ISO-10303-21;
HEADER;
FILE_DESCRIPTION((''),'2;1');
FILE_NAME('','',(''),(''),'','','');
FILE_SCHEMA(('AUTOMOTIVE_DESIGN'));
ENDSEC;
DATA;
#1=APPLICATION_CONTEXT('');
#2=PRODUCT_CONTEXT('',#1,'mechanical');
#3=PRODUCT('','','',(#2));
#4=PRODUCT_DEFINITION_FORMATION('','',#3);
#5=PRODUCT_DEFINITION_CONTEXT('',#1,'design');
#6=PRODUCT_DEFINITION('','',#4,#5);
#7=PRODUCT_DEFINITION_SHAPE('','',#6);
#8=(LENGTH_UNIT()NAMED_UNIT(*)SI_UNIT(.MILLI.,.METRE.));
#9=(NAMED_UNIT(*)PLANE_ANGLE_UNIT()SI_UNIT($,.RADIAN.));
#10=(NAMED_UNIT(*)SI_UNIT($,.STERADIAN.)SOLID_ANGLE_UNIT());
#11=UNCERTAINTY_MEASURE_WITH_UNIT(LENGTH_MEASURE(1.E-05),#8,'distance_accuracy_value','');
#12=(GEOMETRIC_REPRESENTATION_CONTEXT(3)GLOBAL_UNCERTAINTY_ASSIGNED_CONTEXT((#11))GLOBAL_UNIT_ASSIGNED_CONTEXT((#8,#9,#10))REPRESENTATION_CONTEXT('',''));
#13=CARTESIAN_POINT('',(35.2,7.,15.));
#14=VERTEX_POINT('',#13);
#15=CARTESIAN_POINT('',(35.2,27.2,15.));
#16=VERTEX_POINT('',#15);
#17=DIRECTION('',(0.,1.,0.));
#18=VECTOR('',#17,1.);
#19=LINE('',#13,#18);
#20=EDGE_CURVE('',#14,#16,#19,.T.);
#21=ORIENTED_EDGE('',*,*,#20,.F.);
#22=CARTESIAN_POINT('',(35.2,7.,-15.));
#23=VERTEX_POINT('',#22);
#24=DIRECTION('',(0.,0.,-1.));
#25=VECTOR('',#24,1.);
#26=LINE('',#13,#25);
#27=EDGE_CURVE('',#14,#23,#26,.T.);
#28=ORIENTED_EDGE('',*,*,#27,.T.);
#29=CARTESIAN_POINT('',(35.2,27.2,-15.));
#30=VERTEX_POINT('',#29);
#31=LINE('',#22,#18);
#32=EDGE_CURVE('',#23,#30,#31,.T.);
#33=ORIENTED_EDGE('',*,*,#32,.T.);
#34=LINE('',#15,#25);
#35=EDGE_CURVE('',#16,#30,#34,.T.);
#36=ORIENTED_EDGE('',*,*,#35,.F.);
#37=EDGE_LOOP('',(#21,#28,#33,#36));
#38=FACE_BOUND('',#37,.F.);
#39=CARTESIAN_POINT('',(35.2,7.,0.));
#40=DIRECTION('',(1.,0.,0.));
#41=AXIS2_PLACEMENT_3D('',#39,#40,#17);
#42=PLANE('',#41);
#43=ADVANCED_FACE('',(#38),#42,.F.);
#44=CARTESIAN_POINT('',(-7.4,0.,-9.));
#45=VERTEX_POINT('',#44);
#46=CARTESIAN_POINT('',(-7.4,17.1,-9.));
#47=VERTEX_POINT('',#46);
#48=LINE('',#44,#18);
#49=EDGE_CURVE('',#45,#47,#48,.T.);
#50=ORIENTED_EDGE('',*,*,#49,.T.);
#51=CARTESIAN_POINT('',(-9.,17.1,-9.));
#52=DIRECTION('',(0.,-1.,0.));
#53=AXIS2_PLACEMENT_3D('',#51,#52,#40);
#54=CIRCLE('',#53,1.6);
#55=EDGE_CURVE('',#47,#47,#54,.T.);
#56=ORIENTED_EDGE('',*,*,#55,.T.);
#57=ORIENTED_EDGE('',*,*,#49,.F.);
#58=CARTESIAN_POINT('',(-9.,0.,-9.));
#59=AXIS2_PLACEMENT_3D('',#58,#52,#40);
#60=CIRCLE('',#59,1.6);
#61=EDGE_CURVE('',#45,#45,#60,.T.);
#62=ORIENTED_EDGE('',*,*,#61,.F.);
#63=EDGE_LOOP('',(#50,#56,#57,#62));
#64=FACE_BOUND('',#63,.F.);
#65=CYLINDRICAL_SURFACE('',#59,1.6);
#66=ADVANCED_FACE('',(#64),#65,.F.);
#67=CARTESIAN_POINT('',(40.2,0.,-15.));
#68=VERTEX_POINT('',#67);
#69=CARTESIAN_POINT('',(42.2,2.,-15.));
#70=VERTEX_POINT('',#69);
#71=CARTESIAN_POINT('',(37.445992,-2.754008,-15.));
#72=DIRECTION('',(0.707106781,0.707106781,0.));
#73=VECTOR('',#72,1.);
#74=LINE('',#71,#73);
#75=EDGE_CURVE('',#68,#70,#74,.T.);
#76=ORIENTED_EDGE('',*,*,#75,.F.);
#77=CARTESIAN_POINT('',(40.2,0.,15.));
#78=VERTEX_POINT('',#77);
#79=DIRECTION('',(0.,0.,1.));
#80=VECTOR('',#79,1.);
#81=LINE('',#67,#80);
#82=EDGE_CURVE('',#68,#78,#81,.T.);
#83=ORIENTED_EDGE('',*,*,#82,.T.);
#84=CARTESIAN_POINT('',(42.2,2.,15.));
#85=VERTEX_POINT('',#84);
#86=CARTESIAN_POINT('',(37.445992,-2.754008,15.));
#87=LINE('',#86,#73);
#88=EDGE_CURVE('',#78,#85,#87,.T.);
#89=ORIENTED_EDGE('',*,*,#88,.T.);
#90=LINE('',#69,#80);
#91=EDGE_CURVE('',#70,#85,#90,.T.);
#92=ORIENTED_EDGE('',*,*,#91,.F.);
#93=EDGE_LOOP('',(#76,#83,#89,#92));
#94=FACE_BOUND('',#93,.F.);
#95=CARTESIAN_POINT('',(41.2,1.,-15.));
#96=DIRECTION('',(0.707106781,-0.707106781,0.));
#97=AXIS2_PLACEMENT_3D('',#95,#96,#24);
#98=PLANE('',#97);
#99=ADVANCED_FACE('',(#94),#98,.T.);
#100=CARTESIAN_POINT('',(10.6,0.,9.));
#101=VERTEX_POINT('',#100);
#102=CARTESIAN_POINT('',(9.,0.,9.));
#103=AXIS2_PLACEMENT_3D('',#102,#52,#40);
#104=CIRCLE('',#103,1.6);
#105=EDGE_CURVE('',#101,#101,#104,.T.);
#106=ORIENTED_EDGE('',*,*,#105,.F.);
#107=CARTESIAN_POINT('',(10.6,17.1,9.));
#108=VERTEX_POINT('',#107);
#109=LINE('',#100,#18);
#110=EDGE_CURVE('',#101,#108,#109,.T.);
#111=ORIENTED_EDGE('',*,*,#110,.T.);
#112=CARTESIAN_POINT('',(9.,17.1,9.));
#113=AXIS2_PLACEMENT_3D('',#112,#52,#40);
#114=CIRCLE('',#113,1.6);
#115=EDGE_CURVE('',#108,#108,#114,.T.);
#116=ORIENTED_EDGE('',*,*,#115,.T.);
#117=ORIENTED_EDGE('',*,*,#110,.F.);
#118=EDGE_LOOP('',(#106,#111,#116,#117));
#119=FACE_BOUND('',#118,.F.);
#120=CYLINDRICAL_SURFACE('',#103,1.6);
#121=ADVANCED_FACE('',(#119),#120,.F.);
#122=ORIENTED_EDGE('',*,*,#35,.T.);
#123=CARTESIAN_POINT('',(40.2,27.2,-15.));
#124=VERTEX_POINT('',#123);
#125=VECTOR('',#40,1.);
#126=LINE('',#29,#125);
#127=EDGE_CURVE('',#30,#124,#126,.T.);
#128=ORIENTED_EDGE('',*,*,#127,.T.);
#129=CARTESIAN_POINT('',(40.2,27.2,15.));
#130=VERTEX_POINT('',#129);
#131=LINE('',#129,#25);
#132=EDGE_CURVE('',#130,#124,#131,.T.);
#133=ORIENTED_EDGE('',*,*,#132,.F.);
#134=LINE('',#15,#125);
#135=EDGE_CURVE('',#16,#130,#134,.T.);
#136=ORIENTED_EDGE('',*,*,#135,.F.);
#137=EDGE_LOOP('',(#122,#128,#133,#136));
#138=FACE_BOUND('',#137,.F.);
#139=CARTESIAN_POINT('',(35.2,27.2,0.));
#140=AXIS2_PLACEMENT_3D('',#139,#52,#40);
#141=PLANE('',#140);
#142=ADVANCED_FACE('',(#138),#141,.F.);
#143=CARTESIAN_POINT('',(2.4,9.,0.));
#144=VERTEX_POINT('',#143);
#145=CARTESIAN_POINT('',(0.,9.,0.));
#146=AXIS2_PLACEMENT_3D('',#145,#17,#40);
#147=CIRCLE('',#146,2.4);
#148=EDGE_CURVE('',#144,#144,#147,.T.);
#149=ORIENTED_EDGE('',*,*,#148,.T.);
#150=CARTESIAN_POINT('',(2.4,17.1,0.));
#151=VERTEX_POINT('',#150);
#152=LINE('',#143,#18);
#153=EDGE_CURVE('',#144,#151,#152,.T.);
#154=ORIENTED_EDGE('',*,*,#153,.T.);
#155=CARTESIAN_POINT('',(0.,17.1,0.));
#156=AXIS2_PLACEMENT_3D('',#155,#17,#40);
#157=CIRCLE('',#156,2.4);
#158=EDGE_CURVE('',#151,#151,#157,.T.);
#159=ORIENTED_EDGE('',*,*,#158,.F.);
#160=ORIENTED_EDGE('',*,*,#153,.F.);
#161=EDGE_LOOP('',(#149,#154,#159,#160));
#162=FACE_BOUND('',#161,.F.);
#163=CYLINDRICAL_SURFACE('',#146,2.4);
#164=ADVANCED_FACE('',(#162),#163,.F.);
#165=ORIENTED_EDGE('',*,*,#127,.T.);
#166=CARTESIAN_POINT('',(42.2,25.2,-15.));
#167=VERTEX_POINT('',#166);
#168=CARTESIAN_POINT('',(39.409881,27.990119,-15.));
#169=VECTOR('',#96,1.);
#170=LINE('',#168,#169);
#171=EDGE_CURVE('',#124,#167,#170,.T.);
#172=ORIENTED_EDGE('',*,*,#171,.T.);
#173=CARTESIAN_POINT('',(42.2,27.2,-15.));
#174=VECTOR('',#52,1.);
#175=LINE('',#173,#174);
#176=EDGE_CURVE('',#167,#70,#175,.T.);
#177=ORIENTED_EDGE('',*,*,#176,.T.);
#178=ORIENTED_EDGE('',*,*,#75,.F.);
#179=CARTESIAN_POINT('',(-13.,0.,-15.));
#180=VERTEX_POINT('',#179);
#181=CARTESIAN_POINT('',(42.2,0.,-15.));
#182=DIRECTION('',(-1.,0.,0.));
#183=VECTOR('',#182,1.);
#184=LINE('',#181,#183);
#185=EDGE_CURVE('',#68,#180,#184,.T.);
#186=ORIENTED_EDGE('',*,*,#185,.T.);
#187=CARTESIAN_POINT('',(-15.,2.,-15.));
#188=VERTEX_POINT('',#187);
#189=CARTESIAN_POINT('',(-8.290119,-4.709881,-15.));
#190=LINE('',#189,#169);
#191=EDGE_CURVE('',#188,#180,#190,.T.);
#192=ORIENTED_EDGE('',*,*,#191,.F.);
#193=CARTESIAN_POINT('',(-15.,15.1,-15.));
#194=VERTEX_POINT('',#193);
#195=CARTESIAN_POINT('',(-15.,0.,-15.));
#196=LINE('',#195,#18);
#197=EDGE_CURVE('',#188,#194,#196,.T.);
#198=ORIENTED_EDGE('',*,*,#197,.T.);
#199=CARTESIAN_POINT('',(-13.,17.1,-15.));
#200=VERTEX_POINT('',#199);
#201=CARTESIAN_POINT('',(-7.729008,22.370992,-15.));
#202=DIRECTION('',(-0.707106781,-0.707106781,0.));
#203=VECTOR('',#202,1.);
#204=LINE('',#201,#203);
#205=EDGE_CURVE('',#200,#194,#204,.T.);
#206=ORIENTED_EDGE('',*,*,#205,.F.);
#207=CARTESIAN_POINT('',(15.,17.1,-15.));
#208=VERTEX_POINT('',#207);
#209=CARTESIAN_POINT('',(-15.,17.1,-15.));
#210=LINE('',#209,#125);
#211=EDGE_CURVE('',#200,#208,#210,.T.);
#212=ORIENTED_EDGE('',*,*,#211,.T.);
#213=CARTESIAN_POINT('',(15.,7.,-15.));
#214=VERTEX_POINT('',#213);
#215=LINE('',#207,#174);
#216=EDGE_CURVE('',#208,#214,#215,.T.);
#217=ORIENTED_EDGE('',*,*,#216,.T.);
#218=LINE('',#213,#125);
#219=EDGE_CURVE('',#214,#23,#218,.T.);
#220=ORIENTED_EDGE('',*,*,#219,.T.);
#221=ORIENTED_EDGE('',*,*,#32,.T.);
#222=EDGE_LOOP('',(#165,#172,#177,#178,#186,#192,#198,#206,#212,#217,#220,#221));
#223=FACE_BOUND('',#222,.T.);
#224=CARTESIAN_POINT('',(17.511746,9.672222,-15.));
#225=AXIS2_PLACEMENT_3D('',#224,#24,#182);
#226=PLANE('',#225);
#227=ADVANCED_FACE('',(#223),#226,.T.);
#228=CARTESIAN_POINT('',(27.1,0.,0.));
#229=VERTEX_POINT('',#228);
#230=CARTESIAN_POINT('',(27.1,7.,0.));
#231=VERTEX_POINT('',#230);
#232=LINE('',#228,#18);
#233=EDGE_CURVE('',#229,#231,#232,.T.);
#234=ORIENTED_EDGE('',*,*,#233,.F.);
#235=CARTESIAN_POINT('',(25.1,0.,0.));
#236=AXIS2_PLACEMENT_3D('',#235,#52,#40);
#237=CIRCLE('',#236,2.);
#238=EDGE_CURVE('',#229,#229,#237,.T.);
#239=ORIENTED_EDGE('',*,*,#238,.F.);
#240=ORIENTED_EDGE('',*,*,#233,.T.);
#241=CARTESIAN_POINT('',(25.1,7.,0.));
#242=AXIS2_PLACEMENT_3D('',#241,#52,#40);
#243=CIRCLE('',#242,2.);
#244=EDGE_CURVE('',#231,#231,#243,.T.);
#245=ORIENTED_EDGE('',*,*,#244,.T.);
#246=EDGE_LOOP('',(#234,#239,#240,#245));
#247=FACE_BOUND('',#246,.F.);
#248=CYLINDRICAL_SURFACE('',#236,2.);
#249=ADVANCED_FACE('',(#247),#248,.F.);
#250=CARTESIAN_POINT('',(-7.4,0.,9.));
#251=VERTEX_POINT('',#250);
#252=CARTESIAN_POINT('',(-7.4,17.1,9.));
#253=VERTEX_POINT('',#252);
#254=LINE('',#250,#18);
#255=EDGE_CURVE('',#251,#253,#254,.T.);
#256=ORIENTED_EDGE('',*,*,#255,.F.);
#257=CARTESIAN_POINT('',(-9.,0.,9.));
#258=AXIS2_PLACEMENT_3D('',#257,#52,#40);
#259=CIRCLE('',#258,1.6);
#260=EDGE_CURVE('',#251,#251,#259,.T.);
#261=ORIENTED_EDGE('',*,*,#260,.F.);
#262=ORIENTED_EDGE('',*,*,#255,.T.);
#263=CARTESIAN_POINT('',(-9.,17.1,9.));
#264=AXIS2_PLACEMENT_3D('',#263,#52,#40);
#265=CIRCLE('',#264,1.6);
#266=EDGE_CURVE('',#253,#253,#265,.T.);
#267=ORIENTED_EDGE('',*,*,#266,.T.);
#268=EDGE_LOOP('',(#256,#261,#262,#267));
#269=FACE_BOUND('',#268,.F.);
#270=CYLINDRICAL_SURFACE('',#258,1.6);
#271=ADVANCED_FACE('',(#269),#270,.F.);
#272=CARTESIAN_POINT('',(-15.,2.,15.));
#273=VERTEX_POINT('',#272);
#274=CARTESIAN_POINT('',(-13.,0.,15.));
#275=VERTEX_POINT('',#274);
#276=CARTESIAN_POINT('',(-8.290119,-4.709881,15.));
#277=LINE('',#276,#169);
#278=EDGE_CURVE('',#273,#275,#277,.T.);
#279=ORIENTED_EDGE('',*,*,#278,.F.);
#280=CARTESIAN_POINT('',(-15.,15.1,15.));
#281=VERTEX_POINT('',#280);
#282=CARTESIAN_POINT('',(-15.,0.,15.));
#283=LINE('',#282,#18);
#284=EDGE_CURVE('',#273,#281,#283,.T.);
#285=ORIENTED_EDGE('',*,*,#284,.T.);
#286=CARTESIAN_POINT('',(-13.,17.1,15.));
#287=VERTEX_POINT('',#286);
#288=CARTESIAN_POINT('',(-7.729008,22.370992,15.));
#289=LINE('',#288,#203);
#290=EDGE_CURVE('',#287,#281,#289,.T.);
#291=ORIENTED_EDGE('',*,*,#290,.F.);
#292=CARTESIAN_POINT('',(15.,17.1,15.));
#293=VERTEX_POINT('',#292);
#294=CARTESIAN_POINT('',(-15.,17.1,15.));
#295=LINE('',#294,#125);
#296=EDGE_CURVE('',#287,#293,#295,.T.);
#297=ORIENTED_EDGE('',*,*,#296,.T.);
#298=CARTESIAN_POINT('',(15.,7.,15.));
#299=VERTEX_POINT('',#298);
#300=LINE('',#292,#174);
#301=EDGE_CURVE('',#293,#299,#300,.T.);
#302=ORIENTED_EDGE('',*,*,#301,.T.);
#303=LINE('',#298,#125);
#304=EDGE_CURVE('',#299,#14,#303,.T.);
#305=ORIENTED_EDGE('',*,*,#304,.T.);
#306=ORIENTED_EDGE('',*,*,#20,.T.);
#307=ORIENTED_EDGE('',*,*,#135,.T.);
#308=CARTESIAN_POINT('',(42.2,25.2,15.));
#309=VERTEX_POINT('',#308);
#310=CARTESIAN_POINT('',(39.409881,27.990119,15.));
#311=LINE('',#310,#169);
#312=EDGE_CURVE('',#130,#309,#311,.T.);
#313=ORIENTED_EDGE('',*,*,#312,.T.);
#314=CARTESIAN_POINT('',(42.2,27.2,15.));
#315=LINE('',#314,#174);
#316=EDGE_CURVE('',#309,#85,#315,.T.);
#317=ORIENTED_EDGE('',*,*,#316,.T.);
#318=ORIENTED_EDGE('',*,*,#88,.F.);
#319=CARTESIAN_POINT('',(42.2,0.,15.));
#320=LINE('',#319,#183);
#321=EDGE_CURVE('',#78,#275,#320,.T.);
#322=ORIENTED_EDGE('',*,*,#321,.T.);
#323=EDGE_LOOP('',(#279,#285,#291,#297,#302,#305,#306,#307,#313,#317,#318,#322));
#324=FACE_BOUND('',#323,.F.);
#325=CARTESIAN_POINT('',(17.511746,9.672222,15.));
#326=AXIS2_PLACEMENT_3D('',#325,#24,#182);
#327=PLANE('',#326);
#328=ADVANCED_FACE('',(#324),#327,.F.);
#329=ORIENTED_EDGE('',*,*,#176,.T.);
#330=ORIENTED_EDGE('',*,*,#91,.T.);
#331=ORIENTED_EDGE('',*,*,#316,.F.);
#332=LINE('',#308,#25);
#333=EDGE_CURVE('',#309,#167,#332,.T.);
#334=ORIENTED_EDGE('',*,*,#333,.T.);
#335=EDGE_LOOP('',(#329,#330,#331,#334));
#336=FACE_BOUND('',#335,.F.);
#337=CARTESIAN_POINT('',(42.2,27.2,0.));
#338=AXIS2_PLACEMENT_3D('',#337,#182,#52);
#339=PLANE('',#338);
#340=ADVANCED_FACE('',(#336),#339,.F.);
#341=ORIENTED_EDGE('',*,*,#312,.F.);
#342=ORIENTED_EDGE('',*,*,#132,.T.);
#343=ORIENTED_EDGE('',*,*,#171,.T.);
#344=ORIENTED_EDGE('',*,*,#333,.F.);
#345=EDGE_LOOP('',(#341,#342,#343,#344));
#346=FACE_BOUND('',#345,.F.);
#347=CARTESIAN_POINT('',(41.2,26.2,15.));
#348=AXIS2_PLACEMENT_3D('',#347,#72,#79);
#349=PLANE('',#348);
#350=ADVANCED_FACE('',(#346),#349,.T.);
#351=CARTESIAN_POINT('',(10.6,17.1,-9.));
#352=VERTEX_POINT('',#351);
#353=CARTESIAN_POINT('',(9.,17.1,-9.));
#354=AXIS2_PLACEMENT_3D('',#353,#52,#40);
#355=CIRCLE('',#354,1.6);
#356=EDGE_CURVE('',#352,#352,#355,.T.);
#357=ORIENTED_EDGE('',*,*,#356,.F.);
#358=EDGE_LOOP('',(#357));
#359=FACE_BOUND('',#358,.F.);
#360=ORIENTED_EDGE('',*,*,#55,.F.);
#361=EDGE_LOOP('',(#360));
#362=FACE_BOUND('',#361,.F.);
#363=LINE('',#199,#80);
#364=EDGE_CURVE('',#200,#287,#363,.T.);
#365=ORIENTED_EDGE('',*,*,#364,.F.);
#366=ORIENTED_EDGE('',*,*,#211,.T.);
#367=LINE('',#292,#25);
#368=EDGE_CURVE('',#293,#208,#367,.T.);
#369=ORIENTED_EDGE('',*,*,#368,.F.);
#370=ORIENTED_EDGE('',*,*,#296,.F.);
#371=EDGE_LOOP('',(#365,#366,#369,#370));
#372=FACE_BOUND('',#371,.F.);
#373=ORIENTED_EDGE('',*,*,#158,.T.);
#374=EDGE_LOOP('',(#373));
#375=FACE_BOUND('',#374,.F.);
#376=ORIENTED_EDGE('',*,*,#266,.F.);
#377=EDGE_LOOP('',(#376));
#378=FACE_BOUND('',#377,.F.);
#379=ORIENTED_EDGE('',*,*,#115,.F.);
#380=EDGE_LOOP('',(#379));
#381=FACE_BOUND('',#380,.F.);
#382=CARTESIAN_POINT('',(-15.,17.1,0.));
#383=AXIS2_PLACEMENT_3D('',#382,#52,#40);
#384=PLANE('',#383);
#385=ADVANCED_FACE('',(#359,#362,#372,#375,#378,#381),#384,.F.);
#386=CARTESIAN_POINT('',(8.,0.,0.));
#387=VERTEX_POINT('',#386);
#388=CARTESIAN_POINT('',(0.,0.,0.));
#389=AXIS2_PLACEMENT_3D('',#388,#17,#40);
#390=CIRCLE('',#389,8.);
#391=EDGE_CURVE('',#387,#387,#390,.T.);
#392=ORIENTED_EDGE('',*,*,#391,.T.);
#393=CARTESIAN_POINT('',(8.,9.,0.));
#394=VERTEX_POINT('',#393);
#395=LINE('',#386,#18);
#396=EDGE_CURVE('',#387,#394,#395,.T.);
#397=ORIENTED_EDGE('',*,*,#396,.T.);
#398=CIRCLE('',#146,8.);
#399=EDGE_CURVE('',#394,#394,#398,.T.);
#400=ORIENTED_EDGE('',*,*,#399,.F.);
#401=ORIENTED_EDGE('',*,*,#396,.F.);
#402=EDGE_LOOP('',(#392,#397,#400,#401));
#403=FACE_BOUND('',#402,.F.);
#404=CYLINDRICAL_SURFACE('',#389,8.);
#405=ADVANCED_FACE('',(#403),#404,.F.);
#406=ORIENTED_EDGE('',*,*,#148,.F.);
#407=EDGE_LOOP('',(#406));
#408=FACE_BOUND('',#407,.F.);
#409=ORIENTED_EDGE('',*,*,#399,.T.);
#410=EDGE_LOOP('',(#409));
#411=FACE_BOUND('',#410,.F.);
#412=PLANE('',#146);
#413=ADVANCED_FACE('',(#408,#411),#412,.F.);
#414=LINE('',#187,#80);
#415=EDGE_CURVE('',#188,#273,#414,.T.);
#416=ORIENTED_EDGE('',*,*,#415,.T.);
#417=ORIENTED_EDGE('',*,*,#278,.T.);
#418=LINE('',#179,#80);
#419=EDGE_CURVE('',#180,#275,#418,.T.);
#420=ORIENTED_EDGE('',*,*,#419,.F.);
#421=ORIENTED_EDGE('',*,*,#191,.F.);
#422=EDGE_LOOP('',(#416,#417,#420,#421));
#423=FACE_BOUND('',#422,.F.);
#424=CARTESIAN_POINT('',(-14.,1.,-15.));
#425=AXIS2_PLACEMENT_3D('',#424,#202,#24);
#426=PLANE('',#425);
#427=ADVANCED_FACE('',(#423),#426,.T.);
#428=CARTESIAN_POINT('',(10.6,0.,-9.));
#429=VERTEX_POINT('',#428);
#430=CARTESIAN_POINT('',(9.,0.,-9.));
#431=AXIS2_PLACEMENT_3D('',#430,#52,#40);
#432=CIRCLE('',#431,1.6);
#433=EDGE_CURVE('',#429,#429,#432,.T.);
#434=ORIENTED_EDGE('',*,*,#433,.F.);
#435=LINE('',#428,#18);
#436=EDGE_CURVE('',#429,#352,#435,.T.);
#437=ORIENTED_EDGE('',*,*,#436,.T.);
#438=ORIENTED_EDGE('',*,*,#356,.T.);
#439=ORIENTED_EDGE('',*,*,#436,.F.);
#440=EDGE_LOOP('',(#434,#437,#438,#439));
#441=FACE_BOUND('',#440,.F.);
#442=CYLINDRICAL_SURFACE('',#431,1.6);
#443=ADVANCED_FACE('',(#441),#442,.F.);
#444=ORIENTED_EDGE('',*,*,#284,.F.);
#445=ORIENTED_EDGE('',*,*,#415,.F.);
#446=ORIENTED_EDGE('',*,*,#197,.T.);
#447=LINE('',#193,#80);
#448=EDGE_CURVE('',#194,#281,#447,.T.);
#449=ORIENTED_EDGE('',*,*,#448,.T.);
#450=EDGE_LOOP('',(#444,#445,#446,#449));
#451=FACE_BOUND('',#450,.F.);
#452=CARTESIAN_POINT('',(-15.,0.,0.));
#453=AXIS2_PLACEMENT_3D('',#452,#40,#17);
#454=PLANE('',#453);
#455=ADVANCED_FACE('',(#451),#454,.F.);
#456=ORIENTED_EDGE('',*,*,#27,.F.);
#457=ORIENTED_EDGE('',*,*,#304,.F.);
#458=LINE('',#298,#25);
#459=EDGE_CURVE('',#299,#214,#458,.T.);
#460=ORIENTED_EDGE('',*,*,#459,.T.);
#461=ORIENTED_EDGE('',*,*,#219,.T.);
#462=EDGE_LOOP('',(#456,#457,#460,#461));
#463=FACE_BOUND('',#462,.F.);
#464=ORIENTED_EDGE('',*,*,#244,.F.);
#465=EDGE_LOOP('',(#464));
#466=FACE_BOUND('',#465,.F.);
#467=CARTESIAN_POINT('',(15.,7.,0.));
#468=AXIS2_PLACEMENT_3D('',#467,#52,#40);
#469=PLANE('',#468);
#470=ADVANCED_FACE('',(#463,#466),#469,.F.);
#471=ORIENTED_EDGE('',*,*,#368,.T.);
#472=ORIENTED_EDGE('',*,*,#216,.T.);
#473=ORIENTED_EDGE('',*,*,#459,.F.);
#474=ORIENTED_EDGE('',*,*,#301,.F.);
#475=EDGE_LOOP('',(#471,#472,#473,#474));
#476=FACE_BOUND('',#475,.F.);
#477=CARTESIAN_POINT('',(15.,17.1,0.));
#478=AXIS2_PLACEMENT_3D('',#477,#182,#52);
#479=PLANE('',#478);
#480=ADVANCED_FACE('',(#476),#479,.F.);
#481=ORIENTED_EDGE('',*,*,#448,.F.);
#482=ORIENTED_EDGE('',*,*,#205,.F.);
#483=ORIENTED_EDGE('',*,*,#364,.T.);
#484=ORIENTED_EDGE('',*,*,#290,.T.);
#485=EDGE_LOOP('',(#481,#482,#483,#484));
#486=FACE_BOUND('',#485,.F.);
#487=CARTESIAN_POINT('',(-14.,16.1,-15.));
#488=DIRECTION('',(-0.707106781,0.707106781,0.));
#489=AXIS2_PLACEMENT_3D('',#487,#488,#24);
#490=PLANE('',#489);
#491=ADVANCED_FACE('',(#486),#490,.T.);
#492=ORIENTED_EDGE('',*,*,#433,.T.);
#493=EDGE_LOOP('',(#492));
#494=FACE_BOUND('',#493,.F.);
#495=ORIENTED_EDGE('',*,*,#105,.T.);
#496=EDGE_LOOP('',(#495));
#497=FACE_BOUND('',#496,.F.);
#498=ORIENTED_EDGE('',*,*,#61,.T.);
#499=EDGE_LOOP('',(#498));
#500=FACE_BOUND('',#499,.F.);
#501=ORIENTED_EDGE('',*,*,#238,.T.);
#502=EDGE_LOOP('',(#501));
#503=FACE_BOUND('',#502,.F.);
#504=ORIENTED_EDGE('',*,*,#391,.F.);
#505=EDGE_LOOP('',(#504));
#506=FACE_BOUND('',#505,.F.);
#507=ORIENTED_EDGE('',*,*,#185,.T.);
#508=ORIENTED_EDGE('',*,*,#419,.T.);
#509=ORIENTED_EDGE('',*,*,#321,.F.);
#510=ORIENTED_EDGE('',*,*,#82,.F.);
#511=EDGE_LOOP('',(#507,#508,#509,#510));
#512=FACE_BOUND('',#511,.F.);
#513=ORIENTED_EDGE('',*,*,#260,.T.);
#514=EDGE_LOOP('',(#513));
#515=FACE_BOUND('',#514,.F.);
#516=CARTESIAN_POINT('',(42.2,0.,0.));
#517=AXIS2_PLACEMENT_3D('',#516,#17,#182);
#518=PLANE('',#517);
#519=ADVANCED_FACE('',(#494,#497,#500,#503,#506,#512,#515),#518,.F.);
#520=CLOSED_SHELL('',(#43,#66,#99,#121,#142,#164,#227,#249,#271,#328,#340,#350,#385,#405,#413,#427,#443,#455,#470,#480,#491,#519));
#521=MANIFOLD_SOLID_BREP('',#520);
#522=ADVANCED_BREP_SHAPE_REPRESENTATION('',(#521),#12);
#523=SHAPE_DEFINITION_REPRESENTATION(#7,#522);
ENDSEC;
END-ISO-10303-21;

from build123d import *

# Parameters (mm, degrees)
PAD_DEPTH     = 15
SKETCH002_R   = 1.6
SKETCH002_R_2 = 2
POCKET_DEPTH  = 27.201
CHAMFER_SIZE  = 2


with BuildPart() as bodyinner:
    # Sketch001 → Revolution (revolve)
    with BuildSketch(Plane.XY):
        Polygon((0, 0), (8, 0), (8, 9), (2.4, 9), (2.4, 35), (0, 35), align=None)
    revolve(axis=Axis((0, 0, 0), (0, 1, 0)))


with BuildPart() as chamfer_body:
    # Sketch → Pad (new body, symmetric)
    with BuildSketch(Plane.XY):
        Polygon((-15, 17.1), (15, 17.1), (15, 7), (35.2, 7), (35.2, 27.2), (42.2, 27.2), (42.2, 0), (-15, 0), align=None)
    extrude(amount=PAD_DEPTH, both=True)

    # Sketch002 → Pocket (cut, through all)
    with BuildSketch(Plane.XZ):
        with Locations((-9, 9)):
            Circle(SKETCH002_R)
        with Locations((9, 9)):
            Circle(SKETCH002_R)
        with Locations((9, -9)):
            Circle(SKETCH002_R)
        with Locations((-9, -9)):
            Circle(SKETCH002_R)
        with Locations((25.1, 0)):
            Circle(SKETCH002_R_2)
    extrude(amount=-POCKET_DEPTH, mode=Mode.SUBTRACT)

    # Cut: cut BodyInner
    add(bodyinner.part, mode=Mode.SUBTRACT)

    # Chamfer
    chamfer_edges = [chamfer_body.edges().sort_by_distance(p)[0] for p in [
        (-15, 17.1, 0),
        (-15, 0, 0),
        (42.2, 0, 0),
        (42.2, 27.2, 0),
    ]]
    chamfer(chamfer_edges, length=CHAMFER_SIZE)


solid = chamfer_body.part
